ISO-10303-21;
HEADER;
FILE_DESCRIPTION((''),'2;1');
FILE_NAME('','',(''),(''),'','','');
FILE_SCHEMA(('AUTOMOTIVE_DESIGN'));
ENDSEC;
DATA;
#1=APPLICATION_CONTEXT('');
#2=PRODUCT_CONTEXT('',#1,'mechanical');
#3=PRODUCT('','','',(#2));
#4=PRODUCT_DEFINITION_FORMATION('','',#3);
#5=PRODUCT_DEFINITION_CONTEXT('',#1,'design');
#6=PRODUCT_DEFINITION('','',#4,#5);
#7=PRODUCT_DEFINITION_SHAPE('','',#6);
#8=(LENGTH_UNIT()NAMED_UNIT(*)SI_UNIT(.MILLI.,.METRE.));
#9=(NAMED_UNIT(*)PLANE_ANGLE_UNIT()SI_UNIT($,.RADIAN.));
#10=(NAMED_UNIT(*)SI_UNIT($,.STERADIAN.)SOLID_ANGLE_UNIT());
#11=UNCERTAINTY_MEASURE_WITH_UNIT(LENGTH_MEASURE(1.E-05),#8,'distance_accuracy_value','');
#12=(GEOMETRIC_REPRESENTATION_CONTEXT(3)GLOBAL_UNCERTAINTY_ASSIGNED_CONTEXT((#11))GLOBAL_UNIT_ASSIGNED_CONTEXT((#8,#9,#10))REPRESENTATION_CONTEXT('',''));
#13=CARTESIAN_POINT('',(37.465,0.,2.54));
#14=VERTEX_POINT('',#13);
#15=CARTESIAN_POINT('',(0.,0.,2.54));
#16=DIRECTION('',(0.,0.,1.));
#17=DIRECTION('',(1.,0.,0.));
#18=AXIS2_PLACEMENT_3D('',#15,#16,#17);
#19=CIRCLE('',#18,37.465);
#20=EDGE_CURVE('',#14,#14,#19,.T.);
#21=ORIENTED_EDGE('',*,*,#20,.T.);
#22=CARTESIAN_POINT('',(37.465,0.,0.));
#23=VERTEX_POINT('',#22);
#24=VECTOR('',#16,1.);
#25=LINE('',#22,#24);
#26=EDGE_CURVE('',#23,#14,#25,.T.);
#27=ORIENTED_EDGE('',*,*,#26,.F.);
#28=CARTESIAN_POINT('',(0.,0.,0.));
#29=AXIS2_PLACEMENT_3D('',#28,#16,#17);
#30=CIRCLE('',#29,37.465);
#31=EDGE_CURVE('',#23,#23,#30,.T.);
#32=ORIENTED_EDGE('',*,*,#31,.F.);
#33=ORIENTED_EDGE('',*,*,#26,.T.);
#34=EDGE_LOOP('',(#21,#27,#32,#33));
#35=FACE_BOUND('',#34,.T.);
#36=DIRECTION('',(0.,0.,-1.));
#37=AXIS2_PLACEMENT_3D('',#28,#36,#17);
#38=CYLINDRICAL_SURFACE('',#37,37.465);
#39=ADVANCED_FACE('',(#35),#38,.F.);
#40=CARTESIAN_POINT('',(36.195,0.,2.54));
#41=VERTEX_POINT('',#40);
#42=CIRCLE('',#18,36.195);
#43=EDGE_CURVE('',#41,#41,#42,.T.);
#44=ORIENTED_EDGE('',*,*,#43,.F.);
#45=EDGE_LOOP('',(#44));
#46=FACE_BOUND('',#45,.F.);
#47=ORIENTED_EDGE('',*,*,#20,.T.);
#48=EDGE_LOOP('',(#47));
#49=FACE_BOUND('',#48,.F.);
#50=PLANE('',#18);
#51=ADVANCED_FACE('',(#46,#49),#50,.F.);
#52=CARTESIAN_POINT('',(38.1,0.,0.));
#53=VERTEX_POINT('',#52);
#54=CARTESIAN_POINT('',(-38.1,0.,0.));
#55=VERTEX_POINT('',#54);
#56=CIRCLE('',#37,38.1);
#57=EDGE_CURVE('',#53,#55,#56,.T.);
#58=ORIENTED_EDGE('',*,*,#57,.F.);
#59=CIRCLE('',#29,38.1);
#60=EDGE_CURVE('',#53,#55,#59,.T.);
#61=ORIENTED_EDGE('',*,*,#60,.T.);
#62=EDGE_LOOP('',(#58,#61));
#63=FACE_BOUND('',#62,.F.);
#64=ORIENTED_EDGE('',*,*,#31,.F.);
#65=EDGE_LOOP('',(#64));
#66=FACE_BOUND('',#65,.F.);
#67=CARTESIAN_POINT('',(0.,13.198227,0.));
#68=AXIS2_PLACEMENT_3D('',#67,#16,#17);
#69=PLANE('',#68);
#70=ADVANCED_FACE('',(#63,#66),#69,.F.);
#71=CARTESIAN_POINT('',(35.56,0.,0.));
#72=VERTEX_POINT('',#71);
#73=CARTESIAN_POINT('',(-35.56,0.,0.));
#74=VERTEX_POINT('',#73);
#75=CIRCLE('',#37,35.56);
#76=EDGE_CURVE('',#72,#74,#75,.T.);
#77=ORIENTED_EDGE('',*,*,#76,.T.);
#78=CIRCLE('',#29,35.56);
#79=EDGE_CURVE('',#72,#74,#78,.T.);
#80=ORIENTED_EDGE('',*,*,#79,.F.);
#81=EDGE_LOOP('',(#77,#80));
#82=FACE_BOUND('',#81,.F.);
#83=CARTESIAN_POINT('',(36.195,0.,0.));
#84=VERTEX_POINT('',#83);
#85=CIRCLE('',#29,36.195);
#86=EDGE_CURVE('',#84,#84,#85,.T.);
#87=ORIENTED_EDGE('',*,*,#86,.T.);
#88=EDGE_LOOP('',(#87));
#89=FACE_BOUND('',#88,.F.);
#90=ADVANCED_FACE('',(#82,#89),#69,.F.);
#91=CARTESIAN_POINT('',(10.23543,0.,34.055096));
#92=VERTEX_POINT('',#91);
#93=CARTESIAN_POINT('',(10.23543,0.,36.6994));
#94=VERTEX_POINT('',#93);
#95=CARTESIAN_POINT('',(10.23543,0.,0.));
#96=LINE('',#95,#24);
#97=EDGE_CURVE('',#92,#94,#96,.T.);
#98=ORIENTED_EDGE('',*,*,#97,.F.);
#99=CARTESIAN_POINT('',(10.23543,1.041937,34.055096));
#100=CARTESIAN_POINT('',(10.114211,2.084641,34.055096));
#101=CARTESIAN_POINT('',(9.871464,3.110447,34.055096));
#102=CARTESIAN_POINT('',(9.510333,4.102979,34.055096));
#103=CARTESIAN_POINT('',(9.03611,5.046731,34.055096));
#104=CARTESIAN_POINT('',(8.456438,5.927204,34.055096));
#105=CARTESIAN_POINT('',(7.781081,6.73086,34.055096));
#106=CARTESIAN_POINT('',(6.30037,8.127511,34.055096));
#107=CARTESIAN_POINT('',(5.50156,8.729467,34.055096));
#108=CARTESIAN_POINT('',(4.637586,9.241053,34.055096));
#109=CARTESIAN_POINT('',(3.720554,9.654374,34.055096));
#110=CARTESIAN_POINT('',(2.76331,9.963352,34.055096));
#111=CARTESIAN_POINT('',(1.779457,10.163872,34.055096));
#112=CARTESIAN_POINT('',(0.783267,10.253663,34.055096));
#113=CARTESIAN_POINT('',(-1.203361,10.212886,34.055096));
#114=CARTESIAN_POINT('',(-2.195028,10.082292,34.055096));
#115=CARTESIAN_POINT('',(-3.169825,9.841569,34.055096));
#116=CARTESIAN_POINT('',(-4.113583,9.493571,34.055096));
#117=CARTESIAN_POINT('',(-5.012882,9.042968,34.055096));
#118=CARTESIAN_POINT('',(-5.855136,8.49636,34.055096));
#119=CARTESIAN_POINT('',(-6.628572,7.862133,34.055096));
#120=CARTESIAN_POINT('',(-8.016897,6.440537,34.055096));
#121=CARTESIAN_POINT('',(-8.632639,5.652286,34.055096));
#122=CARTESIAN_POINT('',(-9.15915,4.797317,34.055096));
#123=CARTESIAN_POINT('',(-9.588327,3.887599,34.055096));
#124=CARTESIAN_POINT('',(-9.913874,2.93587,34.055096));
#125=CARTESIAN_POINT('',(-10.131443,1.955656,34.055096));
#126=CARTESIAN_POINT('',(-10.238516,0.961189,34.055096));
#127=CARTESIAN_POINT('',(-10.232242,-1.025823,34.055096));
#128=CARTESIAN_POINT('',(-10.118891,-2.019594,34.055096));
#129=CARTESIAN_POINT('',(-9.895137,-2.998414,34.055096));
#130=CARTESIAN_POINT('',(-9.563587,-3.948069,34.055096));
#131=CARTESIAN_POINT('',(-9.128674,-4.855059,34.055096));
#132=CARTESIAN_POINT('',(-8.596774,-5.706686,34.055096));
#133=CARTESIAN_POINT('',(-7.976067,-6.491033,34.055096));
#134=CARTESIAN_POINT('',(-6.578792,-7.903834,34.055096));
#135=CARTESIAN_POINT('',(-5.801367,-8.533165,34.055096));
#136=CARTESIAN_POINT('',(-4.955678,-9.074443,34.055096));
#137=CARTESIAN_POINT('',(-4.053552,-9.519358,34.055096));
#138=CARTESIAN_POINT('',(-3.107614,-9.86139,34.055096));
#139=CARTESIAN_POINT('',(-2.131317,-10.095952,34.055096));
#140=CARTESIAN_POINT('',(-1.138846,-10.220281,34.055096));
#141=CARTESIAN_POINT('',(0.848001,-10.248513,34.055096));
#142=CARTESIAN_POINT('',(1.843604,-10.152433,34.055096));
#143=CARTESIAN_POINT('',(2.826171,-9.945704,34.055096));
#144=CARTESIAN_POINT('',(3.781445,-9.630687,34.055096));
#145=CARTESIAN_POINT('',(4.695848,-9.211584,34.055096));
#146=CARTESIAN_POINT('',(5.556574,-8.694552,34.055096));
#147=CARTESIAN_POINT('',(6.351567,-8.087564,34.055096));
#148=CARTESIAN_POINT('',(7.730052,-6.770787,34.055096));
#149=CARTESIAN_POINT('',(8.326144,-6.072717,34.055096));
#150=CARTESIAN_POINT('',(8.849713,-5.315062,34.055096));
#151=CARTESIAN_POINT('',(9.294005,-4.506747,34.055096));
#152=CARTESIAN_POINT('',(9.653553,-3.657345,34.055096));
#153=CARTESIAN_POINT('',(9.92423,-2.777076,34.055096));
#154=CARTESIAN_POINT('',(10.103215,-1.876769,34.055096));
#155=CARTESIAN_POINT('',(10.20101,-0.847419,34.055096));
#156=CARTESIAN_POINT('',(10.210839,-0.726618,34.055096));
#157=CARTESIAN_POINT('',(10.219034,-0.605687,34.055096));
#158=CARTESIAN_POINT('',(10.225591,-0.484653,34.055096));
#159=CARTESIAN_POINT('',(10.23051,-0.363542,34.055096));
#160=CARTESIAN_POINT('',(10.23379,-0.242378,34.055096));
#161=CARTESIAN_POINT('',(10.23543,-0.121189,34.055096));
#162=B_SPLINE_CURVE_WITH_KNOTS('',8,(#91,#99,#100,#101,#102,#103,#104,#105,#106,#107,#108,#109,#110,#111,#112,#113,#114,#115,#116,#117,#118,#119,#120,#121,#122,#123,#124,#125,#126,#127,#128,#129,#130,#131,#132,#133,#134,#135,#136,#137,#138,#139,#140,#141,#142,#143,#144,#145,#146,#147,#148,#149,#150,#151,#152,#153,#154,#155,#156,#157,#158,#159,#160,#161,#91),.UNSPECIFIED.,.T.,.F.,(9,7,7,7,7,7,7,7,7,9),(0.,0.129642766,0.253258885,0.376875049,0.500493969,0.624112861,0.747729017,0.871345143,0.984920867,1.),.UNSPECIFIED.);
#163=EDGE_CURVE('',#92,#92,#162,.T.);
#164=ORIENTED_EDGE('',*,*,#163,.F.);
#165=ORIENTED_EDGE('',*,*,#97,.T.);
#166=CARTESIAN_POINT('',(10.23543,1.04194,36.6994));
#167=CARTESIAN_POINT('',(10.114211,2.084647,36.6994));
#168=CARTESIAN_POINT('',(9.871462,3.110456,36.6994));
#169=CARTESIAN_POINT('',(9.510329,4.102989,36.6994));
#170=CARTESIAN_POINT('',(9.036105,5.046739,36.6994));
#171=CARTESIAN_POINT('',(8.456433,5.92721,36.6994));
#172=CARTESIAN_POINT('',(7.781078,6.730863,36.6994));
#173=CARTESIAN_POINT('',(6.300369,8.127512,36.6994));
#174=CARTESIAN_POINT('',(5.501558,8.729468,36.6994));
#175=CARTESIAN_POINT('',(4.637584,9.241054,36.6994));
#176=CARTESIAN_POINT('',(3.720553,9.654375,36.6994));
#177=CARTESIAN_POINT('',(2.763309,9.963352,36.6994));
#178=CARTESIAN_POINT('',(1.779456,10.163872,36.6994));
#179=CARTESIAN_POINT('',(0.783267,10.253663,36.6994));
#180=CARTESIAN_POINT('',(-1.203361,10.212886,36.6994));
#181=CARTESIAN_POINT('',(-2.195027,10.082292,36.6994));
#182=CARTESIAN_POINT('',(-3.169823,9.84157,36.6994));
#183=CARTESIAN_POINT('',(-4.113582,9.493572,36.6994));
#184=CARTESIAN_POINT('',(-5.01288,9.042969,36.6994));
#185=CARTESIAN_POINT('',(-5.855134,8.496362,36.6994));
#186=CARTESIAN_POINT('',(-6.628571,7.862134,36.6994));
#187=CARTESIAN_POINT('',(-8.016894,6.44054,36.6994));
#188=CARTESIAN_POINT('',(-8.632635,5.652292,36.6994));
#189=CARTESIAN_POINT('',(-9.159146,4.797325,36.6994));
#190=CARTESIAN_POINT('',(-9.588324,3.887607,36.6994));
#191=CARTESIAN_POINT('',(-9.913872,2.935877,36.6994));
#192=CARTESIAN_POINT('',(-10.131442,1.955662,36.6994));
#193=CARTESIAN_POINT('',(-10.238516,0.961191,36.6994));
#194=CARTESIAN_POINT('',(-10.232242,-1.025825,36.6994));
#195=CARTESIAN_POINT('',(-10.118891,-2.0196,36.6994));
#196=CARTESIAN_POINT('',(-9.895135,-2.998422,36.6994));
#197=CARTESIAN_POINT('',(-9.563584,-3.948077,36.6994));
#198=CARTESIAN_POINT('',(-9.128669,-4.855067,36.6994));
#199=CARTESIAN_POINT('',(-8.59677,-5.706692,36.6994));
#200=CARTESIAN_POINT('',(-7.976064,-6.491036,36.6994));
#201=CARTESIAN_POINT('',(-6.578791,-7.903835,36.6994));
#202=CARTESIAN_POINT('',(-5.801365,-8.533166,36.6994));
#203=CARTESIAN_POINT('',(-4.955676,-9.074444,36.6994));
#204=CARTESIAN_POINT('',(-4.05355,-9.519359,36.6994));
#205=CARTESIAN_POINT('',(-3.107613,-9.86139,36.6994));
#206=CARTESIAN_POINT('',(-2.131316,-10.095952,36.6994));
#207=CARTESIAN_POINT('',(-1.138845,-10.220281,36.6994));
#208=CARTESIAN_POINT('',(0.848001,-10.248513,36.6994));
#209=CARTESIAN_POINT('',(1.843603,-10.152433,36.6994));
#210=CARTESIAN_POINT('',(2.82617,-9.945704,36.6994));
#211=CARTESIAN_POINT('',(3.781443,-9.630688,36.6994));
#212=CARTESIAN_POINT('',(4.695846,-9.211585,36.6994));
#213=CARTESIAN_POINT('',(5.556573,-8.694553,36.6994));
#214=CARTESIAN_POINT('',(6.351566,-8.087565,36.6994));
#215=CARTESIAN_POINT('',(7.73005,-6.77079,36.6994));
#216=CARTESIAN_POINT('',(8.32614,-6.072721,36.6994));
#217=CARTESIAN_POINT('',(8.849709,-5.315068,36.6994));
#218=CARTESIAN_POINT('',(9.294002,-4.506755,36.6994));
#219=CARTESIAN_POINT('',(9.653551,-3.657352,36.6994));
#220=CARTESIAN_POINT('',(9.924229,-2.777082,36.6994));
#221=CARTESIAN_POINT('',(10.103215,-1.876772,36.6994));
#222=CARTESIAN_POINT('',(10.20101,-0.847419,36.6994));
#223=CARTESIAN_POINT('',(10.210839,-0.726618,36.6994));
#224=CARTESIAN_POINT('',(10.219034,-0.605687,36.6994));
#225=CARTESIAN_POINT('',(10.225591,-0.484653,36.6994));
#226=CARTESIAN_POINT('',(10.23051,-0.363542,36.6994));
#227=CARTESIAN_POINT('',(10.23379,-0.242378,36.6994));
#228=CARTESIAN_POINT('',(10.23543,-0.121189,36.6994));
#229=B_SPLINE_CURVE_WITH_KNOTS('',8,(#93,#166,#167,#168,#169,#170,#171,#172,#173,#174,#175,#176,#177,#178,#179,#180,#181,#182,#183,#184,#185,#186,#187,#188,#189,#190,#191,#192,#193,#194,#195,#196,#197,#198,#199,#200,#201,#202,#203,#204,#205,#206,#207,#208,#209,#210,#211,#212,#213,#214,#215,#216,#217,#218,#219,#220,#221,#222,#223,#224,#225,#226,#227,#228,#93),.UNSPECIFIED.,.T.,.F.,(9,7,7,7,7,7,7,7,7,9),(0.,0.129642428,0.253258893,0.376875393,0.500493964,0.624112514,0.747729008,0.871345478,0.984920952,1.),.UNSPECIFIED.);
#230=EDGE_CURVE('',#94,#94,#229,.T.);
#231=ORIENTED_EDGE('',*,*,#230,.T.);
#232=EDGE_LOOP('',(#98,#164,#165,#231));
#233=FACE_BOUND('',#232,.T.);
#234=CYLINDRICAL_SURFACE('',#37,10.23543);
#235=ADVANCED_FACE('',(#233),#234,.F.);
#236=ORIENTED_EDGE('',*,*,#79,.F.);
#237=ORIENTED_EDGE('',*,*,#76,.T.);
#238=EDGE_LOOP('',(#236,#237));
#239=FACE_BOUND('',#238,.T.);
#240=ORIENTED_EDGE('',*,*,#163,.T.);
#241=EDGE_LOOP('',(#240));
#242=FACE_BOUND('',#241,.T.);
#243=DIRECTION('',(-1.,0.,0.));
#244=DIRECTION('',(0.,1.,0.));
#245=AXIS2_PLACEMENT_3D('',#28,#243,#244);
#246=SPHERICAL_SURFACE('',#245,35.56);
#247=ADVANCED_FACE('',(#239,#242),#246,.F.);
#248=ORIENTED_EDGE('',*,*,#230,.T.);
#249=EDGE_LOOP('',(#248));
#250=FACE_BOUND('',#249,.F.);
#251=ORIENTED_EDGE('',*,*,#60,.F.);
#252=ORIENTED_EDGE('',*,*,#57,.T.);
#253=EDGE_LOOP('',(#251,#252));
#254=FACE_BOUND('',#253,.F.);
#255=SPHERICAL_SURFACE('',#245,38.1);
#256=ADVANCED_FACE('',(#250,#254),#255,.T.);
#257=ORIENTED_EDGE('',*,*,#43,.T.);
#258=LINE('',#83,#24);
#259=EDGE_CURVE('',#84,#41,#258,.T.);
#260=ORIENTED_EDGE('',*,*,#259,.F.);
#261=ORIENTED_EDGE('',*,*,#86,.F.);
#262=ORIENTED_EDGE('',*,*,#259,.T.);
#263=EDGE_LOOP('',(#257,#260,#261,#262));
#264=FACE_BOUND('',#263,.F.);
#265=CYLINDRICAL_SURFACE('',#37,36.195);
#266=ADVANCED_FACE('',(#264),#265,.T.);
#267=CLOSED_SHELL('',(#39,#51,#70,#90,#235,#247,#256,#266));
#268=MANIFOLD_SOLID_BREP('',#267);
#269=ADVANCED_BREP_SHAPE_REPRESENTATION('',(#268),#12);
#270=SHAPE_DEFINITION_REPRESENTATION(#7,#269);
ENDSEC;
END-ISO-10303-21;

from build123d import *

# Parameters (mm, degrees)
F1_ANGLE = 180
F2_T     = -2.54
F3_R     = 37.465
F3_R_2   = 36.195
F4_DEPTH = 2.54
F5_R     = 10.23543
F6_DEPTH = 101.6


with BuildPart() as f1:
    # F0 (on Top) → F1 (revolve)
    with BuildSketch(Plane.XY):
        with BuildLine():
            Line((-38.1, 0), (38.1, 0))
            ThreePointArc((38.1, 0), (0, 38.1), (-38.1, 0))
        make_face()
    revolve(axis=Axis((0, 0, 0), (1, 0, 0)), revolution_arc=F1_ANGLE)

    # F2
    f2_openings = [f1.faces().sort_by_distance(p)[0] for p in [
        (0, 0, 0),
    ]]
    offset(amount=F2_T, openings=f2_openings)

    # F3 (on Top) → F4 (cut)
    with BuildSketch(Plane.XY):
        Circle(F3_R)
        Circle(F3_R_2, mode=Mode.SUBTRACT)
    extrude(amount=F4_DEPTH, mode=Mode.SUBTRACT)

    # F5 (on Top) → F6 (cut)
    with BuildSketch(Plane.XY):
        Circle(F5_R)
    extrude(amount=F6_DEPTH, mode=Mode.SUBTRACT)


solid = f1.part
